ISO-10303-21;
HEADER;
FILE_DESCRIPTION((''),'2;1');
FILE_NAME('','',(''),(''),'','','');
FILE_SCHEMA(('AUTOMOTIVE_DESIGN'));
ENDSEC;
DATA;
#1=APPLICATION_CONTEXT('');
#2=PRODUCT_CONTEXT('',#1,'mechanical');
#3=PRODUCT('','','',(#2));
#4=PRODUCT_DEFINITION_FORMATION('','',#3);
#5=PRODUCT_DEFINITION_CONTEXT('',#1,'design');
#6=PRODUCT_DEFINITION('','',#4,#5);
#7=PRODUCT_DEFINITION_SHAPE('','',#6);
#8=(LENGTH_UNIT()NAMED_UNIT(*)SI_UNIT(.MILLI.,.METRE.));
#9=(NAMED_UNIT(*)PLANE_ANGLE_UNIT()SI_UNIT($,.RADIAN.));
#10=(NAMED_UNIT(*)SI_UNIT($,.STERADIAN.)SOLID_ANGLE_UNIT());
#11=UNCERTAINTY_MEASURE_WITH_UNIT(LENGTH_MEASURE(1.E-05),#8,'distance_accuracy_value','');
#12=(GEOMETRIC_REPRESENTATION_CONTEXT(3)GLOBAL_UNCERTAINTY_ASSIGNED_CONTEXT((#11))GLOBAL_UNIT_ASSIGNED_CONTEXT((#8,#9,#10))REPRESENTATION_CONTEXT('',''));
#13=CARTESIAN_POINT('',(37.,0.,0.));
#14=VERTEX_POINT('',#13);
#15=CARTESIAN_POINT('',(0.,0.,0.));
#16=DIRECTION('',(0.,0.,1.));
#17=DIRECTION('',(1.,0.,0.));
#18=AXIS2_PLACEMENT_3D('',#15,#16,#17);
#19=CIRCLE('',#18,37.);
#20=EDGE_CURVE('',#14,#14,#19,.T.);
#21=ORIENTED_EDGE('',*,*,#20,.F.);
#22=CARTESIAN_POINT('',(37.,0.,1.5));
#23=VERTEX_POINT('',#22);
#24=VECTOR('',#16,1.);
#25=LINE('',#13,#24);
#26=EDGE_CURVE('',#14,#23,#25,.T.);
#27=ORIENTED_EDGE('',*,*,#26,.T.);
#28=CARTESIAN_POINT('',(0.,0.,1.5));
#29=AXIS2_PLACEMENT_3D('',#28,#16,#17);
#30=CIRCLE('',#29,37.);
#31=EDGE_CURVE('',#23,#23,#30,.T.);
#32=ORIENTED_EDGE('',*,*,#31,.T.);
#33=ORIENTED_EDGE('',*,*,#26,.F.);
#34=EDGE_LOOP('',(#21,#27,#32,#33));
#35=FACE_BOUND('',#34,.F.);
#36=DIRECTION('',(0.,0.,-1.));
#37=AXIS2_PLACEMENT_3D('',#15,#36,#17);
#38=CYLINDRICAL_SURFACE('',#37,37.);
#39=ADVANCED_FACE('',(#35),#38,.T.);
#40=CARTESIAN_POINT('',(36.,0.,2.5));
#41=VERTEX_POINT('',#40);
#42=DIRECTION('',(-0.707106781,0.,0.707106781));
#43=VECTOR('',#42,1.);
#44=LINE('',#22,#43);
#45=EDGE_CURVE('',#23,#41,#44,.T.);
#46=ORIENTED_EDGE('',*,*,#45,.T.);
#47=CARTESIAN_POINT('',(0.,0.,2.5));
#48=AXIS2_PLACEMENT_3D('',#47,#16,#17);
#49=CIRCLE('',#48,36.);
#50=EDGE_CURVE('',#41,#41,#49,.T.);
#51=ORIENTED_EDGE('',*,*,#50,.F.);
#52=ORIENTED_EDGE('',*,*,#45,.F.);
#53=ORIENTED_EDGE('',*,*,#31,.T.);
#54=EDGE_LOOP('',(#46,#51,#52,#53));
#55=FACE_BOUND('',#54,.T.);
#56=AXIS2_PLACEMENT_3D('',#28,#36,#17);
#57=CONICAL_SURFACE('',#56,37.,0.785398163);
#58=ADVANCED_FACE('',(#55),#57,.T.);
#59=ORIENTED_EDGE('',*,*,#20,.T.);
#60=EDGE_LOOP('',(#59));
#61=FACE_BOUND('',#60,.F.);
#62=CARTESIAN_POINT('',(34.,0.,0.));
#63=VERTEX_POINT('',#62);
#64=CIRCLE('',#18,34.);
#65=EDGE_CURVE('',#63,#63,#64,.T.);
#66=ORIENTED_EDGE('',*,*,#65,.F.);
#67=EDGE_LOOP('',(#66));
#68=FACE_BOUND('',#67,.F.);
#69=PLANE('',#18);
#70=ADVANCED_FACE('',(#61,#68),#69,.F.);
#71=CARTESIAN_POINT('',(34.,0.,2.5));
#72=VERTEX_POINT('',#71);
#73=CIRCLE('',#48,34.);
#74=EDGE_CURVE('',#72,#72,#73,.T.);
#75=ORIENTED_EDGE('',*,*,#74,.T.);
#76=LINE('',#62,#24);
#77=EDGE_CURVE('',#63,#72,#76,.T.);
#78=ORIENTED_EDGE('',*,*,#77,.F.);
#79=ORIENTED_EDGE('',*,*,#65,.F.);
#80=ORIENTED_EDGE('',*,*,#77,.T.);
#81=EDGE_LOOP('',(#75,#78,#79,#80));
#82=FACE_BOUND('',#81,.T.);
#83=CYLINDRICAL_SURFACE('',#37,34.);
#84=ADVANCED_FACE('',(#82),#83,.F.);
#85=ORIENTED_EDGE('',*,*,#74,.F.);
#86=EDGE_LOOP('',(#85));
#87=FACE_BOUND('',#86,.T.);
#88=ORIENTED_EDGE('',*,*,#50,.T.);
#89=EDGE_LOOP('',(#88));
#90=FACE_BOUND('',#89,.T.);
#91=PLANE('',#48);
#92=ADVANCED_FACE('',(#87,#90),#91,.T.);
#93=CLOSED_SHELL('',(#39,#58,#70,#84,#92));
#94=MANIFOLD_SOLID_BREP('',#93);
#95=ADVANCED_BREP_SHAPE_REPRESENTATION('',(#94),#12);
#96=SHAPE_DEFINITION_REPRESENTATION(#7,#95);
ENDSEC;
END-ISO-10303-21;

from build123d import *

# Parameters (mm, degrees)
SKETCH_R     = 37
SKETCH_R_2   = 34
PAD_DEPTH    = 2.5
CHAMFER_SIZE = 1


with BuildPart() as part:
    # Sketch → Pad (new body)
    with BuildSketch(Plane.XY):
        Circle(SKETCH_R)
        Circle(SKETCH_R_2, mode=Mode.SUBTRACT)
    extrude(amount=PAD_DEPTH)

    # Chamfer
    chamfer_edges = [part.edges().sort_by_distance(p)[0] for p in [
        (-37, 0, 2.5),
    ]]
    chamfer(chamfer_edges, length=CHAMFER_SIZE)


solid = part.part
